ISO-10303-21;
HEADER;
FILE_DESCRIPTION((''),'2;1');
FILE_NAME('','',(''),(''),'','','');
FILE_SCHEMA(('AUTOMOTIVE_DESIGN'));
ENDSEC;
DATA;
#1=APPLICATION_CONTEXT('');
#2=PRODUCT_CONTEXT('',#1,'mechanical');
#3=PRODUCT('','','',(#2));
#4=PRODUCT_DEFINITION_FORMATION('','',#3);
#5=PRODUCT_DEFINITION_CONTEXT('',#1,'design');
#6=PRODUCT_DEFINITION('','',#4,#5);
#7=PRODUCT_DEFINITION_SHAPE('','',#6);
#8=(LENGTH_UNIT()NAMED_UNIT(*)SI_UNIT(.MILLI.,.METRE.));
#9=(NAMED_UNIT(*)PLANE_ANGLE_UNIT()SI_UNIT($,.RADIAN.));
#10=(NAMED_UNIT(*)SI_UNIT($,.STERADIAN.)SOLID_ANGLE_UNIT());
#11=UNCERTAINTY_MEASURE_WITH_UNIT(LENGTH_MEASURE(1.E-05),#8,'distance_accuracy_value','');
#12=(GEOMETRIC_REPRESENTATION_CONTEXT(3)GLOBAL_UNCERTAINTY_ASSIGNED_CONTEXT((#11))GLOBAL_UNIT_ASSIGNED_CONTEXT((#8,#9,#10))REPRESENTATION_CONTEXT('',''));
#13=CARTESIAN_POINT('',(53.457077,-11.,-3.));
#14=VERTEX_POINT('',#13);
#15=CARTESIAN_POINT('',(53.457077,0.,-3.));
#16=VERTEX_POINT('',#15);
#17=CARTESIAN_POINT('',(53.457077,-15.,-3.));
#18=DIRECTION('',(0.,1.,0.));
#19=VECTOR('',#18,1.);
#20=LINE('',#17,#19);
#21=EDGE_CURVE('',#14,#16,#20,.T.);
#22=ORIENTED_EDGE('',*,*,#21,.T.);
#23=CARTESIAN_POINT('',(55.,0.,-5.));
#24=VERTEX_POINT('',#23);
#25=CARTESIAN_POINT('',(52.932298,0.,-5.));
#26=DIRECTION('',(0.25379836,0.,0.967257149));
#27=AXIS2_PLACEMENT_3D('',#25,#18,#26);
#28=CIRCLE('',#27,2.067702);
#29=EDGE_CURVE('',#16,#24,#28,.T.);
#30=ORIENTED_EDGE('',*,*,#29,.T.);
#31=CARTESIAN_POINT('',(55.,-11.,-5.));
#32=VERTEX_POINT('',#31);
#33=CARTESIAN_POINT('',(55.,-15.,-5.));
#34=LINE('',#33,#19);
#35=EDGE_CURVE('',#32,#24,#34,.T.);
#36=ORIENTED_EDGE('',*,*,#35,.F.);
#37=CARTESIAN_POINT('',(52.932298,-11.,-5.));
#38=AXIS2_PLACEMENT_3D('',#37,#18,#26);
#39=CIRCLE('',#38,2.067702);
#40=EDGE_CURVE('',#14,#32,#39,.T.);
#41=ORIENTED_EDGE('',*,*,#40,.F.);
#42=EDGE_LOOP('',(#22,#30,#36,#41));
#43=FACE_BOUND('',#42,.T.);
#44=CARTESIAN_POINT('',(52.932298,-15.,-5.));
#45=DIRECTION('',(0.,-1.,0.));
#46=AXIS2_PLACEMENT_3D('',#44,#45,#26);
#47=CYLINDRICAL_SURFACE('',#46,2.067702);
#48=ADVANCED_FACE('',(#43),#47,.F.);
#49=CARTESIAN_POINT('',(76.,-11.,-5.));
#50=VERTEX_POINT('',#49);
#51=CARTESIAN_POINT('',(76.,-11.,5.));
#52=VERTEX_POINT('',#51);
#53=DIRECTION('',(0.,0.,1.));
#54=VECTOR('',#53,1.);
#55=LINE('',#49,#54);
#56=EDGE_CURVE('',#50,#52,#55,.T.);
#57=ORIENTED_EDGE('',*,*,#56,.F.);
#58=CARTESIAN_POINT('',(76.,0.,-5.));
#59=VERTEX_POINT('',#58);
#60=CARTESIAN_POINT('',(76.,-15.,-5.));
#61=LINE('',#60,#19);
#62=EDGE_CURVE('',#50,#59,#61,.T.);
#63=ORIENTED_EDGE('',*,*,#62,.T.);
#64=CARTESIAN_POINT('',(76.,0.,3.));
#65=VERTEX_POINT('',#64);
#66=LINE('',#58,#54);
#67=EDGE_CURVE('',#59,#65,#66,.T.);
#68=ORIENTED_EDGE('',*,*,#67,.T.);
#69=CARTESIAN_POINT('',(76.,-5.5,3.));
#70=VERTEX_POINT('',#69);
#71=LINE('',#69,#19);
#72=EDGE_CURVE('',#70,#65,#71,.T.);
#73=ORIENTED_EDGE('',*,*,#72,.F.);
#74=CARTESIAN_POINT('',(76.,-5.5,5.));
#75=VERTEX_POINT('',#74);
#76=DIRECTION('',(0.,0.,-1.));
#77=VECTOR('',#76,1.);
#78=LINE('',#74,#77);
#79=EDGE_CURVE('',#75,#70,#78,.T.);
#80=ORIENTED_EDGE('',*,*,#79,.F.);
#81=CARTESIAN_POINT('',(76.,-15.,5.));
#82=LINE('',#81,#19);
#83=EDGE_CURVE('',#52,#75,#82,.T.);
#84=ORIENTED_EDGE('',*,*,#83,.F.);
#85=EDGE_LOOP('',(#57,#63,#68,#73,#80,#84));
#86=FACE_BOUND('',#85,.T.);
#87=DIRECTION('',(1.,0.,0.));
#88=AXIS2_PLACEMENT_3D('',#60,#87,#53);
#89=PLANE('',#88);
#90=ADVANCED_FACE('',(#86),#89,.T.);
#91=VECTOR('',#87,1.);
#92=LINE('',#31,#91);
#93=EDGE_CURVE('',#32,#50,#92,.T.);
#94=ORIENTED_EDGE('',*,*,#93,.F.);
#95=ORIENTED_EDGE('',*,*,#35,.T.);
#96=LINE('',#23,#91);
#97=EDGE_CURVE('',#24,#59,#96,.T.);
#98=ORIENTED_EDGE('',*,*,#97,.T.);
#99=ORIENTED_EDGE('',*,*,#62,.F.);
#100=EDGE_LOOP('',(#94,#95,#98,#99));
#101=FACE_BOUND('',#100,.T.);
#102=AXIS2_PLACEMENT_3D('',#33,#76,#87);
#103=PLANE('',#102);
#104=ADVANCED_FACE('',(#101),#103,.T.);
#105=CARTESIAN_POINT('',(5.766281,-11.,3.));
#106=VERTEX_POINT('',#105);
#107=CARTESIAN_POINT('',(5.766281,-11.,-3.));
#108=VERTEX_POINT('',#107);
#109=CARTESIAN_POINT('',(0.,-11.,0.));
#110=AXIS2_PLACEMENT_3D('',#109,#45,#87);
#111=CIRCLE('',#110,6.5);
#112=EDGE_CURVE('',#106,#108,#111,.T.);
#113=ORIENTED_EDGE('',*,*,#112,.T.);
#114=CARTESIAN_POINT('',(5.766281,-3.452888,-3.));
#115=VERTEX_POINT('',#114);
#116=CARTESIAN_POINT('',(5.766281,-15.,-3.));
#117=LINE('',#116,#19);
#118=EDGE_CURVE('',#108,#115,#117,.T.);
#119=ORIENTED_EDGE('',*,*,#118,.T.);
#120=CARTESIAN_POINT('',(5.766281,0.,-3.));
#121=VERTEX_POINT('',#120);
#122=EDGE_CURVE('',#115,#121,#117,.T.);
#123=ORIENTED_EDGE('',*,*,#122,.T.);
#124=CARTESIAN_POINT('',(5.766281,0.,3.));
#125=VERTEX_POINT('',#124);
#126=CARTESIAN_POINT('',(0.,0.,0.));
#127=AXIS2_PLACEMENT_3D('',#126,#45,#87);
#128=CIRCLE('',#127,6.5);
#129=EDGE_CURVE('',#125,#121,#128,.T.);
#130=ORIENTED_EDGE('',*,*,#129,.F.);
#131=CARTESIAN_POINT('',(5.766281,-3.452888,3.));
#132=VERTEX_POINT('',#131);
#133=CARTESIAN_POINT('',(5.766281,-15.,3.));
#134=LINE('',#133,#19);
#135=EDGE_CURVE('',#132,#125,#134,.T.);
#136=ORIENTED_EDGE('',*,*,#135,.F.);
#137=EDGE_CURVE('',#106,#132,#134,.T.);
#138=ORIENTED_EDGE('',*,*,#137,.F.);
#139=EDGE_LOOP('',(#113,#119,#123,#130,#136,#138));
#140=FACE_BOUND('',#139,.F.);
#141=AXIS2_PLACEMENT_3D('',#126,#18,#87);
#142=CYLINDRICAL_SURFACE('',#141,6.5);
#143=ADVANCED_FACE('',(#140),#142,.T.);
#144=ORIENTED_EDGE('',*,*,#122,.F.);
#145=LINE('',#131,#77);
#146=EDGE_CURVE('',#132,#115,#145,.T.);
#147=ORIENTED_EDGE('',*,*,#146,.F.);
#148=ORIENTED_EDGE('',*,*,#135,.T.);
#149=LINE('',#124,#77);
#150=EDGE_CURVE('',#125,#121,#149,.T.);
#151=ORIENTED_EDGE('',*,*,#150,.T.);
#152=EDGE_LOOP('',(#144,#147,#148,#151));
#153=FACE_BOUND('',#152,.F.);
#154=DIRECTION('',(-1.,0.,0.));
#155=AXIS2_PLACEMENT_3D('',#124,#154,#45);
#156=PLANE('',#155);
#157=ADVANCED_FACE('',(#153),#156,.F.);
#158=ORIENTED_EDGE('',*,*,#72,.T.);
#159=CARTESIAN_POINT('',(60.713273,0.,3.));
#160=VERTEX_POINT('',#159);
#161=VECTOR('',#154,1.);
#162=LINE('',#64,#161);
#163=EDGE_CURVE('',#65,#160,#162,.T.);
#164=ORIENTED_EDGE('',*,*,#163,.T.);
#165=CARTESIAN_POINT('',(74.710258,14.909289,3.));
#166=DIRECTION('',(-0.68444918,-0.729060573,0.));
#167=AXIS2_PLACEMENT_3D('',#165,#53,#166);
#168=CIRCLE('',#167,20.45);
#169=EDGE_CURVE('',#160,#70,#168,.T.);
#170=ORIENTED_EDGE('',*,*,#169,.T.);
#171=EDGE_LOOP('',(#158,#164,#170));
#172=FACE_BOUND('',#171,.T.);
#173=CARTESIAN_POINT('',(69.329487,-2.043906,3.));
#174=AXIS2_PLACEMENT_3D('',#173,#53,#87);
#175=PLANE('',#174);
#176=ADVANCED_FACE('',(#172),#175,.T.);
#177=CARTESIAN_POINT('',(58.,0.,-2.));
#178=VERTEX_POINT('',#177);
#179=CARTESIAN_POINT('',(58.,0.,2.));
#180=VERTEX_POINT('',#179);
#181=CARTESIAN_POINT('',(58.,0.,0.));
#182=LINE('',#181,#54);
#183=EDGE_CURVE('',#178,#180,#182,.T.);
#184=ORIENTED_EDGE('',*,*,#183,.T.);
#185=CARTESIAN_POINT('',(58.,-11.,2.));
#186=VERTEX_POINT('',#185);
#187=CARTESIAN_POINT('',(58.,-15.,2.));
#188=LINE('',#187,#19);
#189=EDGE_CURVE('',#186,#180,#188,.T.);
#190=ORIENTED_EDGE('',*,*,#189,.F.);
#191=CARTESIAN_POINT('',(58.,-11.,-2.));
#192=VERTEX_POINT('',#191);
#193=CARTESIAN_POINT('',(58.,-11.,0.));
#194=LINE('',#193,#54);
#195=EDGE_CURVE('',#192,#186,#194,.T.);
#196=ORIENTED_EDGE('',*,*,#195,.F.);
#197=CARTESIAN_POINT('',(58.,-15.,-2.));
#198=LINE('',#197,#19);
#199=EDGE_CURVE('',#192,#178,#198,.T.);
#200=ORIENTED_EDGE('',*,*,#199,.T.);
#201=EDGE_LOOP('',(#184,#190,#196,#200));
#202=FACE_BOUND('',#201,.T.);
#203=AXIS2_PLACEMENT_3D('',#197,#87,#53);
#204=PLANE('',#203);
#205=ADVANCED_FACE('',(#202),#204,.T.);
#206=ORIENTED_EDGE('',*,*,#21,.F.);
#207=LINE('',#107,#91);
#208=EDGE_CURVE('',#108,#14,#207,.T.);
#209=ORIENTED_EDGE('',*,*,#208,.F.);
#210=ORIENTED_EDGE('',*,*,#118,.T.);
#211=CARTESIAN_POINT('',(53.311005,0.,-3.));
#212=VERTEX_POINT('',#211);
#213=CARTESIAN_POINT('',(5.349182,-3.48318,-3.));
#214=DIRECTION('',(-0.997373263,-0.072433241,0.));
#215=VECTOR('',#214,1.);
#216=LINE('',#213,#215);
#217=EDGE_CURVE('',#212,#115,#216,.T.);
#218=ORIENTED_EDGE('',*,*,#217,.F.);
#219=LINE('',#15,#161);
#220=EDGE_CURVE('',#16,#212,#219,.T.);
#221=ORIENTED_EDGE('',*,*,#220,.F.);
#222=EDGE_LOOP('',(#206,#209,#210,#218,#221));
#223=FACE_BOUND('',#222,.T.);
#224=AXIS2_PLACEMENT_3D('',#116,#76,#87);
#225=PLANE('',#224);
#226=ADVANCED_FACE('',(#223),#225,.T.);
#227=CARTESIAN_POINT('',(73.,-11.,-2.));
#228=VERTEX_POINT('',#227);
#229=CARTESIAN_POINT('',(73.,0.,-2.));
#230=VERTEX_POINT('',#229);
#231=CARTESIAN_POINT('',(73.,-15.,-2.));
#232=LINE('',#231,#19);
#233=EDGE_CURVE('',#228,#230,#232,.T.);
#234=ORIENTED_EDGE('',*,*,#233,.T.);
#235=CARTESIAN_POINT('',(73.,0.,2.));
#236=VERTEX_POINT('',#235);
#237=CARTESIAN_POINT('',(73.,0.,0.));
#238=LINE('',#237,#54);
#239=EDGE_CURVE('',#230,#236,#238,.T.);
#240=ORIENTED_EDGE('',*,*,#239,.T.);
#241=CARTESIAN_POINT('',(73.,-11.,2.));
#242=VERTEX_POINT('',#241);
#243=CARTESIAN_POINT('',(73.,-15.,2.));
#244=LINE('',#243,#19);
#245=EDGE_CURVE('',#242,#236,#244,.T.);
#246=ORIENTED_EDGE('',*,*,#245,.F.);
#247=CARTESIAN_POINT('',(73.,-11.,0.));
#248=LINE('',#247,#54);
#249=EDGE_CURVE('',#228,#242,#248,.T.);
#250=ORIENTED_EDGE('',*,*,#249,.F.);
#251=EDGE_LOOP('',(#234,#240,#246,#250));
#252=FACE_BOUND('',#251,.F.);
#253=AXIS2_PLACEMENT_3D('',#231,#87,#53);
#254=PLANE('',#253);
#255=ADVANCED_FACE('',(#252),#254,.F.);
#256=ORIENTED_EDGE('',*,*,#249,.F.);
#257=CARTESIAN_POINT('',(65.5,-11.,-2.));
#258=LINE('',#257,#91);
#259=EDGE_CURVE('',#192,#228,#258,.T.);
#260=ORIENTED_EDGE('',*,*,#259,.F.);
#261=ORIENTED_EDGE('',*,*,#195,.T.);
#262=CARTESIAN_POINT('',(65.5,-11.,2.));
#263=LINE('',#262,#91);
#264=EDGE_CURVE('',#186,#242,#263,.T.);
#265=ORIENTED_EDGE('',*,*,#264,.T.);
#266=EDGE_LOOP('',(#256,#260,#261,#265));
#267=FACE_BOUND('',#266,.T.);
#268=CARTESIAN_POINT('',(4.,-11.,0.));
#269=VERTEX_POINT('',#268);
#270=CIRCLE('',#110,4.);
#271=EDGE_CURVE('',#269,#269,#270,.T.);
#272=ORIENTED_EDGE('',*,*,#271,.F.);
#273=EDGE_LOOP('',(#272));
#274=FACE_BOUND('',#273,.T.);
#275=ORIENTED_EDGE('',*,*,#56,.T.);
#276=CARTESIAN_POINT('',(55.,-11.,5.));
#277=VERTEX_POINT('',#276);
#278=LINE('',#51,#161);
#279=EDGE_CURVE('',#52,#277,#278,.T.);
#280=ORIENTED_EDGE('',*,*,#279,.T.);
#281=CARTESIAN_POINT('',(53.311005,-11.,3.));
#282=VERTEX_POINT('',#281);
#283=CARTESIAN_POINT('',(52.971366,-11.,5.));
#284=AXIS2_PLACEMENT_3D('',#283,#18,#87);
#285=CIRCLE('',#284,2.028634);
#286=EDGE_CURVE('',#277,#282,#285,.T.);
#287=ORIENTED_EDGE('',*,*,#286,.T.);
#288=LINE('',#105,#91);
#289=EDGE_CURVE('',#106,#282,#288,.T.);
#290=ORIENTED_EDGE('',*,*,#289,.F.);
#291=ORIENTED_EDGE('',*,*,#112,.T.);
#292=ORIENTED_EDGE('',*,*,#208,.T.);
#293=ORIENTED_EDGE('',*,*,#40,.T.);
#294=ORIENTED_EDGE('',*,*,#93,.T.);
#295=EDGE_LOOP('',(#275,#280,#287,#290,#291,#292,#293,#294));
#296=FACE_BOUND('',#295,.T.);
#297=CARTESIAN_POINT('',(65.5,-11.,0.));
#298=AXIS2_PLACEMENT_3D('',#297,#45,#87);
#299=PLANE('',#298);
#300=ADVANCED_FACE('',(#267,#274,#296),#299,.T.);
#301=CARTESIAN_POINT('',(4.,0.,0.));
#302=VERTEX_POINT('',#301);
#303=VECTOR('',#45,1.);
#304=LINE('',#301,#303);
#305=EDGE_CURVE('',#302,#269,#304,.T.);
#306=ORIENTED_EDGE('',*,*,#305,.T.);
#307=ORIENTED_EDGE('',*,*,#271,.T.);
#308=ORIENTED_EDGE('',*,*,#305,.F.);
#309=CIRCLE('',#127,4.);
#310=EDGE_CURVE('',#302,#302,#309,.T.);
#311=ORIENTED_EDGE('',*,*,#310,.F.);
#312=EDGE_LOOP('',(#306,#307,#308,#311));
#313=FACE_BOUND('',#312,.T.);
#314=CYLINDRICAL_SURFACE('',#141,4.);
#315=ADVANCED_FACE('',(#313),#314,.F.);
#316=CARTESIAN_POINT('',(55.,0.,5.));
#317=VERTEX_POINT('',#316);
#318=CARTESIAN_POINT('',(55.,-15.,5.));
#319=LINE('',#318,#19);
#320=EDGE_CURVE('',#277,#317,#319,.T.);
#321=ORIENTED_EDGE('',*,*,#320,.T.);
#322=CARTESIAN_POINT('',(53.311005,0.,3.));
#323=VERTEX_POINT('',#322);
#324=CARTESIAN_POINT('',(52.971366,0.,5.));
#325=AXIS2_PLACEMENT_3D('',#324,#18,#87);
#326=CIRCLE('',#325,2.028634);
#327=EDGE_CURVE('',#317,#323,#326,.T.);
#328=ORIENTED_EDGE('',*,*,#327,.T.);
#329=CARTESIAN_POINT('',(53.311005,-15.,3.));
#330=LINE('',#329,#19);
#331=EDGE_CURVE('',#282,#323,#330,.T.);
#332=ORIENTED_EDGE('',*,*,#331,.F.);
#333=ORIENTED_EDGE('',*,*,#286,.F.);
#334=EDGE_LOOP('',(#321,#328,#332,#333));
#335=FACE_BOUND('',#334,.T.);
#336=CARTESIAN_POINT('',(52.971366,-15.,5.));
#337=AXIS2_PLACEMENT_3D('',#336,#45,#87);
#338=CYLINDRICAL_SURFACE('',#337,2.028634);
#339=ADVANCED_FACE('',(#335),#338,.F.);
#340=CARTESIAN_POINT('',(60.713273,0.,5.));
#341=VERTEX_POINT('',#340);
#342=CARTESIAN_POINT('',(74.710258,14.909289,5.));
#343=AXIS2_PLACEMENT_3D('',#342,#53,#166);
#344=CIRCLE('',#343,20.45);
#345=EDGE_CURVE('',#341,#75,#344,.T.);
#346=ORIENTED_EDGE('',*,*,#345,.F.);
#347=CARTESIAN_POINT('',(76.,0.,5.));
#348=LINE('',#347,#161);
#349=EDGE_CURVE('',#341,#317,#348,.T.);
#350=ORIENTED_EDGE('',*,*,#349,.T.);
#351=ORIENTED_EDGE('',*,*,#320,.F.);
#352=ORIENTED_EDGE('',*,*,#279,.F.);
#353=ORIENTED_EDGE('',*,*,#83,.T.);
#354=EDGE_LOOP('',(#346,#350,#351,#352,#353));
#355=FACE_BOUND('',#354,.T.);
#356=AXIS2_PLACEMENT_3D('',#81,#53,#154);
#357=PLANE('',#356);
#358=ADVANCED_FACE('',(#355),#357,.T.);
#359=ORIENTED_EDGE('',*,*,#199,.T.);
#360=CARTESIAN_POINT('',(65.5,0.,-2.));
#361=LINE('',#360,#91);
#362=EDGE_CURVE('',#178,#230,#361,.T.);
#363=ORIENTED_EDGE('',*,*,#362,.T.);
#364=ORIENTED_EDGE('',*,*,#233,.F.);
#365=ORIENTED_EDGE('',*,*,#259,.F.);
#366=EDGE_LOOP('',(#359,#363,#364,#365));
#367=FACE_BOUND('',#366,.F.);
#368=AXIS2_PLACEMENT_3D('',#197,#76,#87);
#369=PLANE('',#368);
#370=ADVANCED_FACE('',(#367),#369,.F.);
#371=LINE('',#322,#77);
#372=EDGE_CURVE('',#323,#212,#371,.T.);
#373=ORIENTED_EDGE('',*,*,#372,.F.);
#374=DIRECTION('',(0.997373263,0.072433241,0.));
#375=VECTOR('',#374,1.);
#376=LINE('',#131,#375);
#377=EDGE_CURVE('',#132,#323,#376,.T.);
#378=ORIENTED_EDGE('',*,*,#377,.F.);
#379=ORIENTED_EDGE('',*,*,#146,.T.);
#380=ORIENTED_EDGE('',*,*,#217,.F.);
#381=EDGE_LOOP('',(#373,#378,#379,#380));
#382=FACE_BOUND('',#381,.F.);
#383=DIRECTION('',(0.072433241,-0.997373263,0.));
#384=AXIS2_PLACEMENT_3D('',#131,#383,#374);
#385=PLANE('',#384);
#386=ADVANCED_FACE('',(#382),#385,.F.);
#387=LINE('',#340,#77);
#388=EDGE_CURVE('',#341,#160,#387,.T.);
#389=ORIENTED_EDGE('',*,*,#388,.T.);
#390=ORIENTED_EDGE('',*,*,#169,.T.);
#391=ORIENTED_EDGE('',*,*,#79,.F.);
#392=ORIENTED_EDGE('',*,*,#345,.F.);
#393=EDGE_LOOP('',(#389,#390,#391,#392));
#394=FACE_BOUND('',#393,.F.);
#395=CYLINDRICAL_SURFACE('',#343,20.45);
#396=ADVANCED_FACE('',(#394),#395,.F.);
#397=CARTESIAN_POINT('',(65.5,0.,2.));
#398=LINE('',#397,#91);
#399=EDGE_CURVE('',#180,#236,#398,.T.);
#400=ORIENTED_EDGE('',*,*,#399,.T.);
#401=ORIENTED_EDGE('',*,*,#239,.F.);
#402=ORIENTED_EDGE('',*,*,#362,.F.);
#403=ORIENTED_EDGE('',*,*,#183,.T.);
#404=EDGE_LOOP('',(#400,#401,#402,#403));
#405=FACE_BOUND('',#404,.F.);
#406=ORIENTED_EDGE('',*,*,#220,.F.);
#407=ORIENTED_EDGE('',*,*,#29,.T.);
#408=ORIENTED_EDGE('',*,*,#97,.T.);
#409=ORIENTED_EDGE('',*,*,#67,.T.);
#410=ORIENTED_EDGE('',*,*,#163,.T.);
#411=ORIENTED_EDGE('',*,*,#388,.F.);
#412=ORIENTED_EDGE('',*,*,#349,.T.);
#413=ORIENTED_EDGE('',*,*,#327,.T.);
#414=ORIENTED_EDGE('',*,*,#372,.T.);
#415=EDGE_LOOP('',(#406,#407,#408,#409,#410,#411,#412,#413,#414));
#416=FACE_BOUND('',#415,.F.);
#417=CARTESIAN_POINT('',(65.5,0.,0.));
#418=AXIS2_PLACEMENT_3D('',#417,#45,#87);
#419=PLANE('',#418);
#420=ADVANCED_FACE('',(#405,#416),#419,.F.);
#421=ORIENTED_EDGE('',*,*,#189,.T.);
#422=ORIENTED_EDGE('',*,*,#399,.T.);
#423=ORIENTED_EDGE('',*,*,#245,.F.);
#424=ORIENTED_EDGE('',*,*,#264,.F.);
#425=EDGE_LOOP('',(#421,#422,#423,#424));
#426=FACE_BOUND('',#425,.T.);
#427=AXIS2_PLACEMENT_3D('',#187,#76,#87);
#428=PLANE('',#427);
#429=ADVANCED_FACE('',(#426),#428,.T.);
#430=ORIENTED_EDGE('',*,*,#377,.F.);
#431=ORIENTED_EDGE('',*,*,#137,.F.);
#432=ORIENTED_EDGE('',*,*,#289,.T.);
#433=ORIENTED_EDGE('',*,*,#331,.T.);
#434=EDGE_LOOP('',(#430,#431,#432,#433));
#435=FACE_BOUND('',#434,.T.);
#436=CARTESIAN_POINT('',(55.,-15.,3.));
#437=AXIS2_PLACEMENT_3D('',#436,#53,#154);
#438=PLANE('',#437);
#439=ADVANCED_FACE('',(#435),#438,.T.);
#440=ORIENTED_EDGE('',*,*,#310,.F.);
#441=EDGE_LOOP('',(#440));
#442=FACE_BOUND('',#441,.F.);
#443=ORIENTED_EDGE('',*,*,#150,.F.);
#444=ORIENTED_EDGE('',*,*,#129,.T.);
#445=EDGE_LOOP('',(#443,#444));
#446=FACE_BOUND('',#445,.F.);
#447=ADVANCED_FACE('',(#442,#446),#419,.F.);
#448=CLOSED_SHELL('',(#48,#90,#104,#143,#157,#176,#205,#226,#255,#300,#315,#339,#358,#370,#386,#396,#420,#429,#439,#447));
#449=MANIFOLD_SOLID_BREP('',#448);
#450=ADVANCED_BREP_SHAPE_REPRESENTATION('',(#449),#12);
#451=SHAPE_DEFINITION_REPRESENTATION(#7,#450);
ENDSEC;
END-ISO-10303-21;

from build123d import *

# Parameters (mm, degrees)
F0_R      = 6.5
F0_R_2    = 4
F1_DEPTH  = 15
F3_DEPTH  = 15
F4_W      = 15
F4_H      = 4
F5_DEPTH  = 15
F7_DEPTH  = 15
F8_DEPTH  = 4
F10_DEPTH = 2
F12_DEPTH = 25


with BuildPart() as f1:
    # F0 (on Front) → F1 (new body)
    with BuildSketch(Plane.XZ):
        Circle(F0_R)
        Circle(F0_R_2, mode=Mode.SUBTRACT)
    extrude(amount=F1_DEPTH)

    # F2 (on face) → F3 (join)
    with BuildSketch(Plane.XZ.offset(15)):
        with BuildLine():
            Line((55, 3), (5.7662812973, 3))
            ThreePointArc((5.7662812973, 3), (6.3139064149, 1.5442104078), (6.5, 0))
            ThreePointArc((6.5, 0), (6.3139064149, -1.5442104078), (5.7662812973, -3))
            Line((5.7662812973, -3), (55, -3))
            Line((55, -3), (55, 3))
        make_face()
    extrude(amount=-F3_DEPTH)

    # F4 (on face) → F5 (join)
    with BuildSketch(Plane.XZ.offset(15)):
        Polygon((55, 3), (55, 0), (55, -2), (55, -3), (55, -5), (76, -5), (76, 5), (55, 5), align=None)
        with Locations((65.5, 0)):
            Rectangle(F4_W, F4_H, mode=Mode.SUBTRACT)
    extrude(amount=-F5_DEPTH)

    # F6 (on face) → F7 (join)
    with BuildSketch(Plane.XZ.offset(15)):
        with BuildLine():
            Line((53.3110045666, 3), (52.6317283511, 3))
            ThreePointArc((52.6317283511, 3), (52.9713664589, 2.9713664589), (53.3110045666, 3))
        make_face()
        with BuildLine():
            ThreePointArc((55, 5), (54.5212624717, 3.691116356), (53.3110045666, 3))
            Line((53.3110045666, 3), (55, 3))
            Line((55, 3), (55, 5))
        make_face()
        with BuildLine():
            Line((52.4075180292, -3), (53.4570770231, -3))
            ThreePointArc((53.4570770231, -3), (52.9322975261, -2.9322975261), (52.4075180292, -3))
        make_face()
        with BuildLine():
            ThreePointArc((53.4570770231, -3), (54.569441592, -3.7370064022), (55, -5))
            Line((55, -5), (55, -3))
            Line((55, -3), (53.4570770231, -3))
        make_face()
    extrude(amount=-F7_DEPTH)

    # F8 (cut): a face of the model
    f8_faces = [f1.faces().sort_by_distance(p)[0] for p in [
        (35.8408790092, -15, 0.0001913982),
    ]]
    extrude(f8_faces, amount=-F8_DEPTH, mode=Mode.SUBTRACT)

    # F9 (on face) → F10 (cut)
    with BuildSketch(Plane.XY.offset(5)):
        with BuildLine():
            Line((76, 0), (60.7132725418, 0))
            ThreePointArc((60.7132725418, 0), (67.787035574, -4.3331510207), (76, -5.5))
            Line((76, -5.5), (76, 0))
        make_face()
    extrude(amount=-F10_DEPTH, mode=Mode.SUBTRACT)

    # F11 (on face) → F12 (cut)
    with BuildSketch(Plane.XY.offset(3)):
        Polygon((5.7662812973, 0), (5.7662812973, -3.4528882243), (53.3110045666, 0), align=None)
    extrude(amount=-F12_DEPTH, mode=Mode.SUBTRACT)


solid = f1.part
